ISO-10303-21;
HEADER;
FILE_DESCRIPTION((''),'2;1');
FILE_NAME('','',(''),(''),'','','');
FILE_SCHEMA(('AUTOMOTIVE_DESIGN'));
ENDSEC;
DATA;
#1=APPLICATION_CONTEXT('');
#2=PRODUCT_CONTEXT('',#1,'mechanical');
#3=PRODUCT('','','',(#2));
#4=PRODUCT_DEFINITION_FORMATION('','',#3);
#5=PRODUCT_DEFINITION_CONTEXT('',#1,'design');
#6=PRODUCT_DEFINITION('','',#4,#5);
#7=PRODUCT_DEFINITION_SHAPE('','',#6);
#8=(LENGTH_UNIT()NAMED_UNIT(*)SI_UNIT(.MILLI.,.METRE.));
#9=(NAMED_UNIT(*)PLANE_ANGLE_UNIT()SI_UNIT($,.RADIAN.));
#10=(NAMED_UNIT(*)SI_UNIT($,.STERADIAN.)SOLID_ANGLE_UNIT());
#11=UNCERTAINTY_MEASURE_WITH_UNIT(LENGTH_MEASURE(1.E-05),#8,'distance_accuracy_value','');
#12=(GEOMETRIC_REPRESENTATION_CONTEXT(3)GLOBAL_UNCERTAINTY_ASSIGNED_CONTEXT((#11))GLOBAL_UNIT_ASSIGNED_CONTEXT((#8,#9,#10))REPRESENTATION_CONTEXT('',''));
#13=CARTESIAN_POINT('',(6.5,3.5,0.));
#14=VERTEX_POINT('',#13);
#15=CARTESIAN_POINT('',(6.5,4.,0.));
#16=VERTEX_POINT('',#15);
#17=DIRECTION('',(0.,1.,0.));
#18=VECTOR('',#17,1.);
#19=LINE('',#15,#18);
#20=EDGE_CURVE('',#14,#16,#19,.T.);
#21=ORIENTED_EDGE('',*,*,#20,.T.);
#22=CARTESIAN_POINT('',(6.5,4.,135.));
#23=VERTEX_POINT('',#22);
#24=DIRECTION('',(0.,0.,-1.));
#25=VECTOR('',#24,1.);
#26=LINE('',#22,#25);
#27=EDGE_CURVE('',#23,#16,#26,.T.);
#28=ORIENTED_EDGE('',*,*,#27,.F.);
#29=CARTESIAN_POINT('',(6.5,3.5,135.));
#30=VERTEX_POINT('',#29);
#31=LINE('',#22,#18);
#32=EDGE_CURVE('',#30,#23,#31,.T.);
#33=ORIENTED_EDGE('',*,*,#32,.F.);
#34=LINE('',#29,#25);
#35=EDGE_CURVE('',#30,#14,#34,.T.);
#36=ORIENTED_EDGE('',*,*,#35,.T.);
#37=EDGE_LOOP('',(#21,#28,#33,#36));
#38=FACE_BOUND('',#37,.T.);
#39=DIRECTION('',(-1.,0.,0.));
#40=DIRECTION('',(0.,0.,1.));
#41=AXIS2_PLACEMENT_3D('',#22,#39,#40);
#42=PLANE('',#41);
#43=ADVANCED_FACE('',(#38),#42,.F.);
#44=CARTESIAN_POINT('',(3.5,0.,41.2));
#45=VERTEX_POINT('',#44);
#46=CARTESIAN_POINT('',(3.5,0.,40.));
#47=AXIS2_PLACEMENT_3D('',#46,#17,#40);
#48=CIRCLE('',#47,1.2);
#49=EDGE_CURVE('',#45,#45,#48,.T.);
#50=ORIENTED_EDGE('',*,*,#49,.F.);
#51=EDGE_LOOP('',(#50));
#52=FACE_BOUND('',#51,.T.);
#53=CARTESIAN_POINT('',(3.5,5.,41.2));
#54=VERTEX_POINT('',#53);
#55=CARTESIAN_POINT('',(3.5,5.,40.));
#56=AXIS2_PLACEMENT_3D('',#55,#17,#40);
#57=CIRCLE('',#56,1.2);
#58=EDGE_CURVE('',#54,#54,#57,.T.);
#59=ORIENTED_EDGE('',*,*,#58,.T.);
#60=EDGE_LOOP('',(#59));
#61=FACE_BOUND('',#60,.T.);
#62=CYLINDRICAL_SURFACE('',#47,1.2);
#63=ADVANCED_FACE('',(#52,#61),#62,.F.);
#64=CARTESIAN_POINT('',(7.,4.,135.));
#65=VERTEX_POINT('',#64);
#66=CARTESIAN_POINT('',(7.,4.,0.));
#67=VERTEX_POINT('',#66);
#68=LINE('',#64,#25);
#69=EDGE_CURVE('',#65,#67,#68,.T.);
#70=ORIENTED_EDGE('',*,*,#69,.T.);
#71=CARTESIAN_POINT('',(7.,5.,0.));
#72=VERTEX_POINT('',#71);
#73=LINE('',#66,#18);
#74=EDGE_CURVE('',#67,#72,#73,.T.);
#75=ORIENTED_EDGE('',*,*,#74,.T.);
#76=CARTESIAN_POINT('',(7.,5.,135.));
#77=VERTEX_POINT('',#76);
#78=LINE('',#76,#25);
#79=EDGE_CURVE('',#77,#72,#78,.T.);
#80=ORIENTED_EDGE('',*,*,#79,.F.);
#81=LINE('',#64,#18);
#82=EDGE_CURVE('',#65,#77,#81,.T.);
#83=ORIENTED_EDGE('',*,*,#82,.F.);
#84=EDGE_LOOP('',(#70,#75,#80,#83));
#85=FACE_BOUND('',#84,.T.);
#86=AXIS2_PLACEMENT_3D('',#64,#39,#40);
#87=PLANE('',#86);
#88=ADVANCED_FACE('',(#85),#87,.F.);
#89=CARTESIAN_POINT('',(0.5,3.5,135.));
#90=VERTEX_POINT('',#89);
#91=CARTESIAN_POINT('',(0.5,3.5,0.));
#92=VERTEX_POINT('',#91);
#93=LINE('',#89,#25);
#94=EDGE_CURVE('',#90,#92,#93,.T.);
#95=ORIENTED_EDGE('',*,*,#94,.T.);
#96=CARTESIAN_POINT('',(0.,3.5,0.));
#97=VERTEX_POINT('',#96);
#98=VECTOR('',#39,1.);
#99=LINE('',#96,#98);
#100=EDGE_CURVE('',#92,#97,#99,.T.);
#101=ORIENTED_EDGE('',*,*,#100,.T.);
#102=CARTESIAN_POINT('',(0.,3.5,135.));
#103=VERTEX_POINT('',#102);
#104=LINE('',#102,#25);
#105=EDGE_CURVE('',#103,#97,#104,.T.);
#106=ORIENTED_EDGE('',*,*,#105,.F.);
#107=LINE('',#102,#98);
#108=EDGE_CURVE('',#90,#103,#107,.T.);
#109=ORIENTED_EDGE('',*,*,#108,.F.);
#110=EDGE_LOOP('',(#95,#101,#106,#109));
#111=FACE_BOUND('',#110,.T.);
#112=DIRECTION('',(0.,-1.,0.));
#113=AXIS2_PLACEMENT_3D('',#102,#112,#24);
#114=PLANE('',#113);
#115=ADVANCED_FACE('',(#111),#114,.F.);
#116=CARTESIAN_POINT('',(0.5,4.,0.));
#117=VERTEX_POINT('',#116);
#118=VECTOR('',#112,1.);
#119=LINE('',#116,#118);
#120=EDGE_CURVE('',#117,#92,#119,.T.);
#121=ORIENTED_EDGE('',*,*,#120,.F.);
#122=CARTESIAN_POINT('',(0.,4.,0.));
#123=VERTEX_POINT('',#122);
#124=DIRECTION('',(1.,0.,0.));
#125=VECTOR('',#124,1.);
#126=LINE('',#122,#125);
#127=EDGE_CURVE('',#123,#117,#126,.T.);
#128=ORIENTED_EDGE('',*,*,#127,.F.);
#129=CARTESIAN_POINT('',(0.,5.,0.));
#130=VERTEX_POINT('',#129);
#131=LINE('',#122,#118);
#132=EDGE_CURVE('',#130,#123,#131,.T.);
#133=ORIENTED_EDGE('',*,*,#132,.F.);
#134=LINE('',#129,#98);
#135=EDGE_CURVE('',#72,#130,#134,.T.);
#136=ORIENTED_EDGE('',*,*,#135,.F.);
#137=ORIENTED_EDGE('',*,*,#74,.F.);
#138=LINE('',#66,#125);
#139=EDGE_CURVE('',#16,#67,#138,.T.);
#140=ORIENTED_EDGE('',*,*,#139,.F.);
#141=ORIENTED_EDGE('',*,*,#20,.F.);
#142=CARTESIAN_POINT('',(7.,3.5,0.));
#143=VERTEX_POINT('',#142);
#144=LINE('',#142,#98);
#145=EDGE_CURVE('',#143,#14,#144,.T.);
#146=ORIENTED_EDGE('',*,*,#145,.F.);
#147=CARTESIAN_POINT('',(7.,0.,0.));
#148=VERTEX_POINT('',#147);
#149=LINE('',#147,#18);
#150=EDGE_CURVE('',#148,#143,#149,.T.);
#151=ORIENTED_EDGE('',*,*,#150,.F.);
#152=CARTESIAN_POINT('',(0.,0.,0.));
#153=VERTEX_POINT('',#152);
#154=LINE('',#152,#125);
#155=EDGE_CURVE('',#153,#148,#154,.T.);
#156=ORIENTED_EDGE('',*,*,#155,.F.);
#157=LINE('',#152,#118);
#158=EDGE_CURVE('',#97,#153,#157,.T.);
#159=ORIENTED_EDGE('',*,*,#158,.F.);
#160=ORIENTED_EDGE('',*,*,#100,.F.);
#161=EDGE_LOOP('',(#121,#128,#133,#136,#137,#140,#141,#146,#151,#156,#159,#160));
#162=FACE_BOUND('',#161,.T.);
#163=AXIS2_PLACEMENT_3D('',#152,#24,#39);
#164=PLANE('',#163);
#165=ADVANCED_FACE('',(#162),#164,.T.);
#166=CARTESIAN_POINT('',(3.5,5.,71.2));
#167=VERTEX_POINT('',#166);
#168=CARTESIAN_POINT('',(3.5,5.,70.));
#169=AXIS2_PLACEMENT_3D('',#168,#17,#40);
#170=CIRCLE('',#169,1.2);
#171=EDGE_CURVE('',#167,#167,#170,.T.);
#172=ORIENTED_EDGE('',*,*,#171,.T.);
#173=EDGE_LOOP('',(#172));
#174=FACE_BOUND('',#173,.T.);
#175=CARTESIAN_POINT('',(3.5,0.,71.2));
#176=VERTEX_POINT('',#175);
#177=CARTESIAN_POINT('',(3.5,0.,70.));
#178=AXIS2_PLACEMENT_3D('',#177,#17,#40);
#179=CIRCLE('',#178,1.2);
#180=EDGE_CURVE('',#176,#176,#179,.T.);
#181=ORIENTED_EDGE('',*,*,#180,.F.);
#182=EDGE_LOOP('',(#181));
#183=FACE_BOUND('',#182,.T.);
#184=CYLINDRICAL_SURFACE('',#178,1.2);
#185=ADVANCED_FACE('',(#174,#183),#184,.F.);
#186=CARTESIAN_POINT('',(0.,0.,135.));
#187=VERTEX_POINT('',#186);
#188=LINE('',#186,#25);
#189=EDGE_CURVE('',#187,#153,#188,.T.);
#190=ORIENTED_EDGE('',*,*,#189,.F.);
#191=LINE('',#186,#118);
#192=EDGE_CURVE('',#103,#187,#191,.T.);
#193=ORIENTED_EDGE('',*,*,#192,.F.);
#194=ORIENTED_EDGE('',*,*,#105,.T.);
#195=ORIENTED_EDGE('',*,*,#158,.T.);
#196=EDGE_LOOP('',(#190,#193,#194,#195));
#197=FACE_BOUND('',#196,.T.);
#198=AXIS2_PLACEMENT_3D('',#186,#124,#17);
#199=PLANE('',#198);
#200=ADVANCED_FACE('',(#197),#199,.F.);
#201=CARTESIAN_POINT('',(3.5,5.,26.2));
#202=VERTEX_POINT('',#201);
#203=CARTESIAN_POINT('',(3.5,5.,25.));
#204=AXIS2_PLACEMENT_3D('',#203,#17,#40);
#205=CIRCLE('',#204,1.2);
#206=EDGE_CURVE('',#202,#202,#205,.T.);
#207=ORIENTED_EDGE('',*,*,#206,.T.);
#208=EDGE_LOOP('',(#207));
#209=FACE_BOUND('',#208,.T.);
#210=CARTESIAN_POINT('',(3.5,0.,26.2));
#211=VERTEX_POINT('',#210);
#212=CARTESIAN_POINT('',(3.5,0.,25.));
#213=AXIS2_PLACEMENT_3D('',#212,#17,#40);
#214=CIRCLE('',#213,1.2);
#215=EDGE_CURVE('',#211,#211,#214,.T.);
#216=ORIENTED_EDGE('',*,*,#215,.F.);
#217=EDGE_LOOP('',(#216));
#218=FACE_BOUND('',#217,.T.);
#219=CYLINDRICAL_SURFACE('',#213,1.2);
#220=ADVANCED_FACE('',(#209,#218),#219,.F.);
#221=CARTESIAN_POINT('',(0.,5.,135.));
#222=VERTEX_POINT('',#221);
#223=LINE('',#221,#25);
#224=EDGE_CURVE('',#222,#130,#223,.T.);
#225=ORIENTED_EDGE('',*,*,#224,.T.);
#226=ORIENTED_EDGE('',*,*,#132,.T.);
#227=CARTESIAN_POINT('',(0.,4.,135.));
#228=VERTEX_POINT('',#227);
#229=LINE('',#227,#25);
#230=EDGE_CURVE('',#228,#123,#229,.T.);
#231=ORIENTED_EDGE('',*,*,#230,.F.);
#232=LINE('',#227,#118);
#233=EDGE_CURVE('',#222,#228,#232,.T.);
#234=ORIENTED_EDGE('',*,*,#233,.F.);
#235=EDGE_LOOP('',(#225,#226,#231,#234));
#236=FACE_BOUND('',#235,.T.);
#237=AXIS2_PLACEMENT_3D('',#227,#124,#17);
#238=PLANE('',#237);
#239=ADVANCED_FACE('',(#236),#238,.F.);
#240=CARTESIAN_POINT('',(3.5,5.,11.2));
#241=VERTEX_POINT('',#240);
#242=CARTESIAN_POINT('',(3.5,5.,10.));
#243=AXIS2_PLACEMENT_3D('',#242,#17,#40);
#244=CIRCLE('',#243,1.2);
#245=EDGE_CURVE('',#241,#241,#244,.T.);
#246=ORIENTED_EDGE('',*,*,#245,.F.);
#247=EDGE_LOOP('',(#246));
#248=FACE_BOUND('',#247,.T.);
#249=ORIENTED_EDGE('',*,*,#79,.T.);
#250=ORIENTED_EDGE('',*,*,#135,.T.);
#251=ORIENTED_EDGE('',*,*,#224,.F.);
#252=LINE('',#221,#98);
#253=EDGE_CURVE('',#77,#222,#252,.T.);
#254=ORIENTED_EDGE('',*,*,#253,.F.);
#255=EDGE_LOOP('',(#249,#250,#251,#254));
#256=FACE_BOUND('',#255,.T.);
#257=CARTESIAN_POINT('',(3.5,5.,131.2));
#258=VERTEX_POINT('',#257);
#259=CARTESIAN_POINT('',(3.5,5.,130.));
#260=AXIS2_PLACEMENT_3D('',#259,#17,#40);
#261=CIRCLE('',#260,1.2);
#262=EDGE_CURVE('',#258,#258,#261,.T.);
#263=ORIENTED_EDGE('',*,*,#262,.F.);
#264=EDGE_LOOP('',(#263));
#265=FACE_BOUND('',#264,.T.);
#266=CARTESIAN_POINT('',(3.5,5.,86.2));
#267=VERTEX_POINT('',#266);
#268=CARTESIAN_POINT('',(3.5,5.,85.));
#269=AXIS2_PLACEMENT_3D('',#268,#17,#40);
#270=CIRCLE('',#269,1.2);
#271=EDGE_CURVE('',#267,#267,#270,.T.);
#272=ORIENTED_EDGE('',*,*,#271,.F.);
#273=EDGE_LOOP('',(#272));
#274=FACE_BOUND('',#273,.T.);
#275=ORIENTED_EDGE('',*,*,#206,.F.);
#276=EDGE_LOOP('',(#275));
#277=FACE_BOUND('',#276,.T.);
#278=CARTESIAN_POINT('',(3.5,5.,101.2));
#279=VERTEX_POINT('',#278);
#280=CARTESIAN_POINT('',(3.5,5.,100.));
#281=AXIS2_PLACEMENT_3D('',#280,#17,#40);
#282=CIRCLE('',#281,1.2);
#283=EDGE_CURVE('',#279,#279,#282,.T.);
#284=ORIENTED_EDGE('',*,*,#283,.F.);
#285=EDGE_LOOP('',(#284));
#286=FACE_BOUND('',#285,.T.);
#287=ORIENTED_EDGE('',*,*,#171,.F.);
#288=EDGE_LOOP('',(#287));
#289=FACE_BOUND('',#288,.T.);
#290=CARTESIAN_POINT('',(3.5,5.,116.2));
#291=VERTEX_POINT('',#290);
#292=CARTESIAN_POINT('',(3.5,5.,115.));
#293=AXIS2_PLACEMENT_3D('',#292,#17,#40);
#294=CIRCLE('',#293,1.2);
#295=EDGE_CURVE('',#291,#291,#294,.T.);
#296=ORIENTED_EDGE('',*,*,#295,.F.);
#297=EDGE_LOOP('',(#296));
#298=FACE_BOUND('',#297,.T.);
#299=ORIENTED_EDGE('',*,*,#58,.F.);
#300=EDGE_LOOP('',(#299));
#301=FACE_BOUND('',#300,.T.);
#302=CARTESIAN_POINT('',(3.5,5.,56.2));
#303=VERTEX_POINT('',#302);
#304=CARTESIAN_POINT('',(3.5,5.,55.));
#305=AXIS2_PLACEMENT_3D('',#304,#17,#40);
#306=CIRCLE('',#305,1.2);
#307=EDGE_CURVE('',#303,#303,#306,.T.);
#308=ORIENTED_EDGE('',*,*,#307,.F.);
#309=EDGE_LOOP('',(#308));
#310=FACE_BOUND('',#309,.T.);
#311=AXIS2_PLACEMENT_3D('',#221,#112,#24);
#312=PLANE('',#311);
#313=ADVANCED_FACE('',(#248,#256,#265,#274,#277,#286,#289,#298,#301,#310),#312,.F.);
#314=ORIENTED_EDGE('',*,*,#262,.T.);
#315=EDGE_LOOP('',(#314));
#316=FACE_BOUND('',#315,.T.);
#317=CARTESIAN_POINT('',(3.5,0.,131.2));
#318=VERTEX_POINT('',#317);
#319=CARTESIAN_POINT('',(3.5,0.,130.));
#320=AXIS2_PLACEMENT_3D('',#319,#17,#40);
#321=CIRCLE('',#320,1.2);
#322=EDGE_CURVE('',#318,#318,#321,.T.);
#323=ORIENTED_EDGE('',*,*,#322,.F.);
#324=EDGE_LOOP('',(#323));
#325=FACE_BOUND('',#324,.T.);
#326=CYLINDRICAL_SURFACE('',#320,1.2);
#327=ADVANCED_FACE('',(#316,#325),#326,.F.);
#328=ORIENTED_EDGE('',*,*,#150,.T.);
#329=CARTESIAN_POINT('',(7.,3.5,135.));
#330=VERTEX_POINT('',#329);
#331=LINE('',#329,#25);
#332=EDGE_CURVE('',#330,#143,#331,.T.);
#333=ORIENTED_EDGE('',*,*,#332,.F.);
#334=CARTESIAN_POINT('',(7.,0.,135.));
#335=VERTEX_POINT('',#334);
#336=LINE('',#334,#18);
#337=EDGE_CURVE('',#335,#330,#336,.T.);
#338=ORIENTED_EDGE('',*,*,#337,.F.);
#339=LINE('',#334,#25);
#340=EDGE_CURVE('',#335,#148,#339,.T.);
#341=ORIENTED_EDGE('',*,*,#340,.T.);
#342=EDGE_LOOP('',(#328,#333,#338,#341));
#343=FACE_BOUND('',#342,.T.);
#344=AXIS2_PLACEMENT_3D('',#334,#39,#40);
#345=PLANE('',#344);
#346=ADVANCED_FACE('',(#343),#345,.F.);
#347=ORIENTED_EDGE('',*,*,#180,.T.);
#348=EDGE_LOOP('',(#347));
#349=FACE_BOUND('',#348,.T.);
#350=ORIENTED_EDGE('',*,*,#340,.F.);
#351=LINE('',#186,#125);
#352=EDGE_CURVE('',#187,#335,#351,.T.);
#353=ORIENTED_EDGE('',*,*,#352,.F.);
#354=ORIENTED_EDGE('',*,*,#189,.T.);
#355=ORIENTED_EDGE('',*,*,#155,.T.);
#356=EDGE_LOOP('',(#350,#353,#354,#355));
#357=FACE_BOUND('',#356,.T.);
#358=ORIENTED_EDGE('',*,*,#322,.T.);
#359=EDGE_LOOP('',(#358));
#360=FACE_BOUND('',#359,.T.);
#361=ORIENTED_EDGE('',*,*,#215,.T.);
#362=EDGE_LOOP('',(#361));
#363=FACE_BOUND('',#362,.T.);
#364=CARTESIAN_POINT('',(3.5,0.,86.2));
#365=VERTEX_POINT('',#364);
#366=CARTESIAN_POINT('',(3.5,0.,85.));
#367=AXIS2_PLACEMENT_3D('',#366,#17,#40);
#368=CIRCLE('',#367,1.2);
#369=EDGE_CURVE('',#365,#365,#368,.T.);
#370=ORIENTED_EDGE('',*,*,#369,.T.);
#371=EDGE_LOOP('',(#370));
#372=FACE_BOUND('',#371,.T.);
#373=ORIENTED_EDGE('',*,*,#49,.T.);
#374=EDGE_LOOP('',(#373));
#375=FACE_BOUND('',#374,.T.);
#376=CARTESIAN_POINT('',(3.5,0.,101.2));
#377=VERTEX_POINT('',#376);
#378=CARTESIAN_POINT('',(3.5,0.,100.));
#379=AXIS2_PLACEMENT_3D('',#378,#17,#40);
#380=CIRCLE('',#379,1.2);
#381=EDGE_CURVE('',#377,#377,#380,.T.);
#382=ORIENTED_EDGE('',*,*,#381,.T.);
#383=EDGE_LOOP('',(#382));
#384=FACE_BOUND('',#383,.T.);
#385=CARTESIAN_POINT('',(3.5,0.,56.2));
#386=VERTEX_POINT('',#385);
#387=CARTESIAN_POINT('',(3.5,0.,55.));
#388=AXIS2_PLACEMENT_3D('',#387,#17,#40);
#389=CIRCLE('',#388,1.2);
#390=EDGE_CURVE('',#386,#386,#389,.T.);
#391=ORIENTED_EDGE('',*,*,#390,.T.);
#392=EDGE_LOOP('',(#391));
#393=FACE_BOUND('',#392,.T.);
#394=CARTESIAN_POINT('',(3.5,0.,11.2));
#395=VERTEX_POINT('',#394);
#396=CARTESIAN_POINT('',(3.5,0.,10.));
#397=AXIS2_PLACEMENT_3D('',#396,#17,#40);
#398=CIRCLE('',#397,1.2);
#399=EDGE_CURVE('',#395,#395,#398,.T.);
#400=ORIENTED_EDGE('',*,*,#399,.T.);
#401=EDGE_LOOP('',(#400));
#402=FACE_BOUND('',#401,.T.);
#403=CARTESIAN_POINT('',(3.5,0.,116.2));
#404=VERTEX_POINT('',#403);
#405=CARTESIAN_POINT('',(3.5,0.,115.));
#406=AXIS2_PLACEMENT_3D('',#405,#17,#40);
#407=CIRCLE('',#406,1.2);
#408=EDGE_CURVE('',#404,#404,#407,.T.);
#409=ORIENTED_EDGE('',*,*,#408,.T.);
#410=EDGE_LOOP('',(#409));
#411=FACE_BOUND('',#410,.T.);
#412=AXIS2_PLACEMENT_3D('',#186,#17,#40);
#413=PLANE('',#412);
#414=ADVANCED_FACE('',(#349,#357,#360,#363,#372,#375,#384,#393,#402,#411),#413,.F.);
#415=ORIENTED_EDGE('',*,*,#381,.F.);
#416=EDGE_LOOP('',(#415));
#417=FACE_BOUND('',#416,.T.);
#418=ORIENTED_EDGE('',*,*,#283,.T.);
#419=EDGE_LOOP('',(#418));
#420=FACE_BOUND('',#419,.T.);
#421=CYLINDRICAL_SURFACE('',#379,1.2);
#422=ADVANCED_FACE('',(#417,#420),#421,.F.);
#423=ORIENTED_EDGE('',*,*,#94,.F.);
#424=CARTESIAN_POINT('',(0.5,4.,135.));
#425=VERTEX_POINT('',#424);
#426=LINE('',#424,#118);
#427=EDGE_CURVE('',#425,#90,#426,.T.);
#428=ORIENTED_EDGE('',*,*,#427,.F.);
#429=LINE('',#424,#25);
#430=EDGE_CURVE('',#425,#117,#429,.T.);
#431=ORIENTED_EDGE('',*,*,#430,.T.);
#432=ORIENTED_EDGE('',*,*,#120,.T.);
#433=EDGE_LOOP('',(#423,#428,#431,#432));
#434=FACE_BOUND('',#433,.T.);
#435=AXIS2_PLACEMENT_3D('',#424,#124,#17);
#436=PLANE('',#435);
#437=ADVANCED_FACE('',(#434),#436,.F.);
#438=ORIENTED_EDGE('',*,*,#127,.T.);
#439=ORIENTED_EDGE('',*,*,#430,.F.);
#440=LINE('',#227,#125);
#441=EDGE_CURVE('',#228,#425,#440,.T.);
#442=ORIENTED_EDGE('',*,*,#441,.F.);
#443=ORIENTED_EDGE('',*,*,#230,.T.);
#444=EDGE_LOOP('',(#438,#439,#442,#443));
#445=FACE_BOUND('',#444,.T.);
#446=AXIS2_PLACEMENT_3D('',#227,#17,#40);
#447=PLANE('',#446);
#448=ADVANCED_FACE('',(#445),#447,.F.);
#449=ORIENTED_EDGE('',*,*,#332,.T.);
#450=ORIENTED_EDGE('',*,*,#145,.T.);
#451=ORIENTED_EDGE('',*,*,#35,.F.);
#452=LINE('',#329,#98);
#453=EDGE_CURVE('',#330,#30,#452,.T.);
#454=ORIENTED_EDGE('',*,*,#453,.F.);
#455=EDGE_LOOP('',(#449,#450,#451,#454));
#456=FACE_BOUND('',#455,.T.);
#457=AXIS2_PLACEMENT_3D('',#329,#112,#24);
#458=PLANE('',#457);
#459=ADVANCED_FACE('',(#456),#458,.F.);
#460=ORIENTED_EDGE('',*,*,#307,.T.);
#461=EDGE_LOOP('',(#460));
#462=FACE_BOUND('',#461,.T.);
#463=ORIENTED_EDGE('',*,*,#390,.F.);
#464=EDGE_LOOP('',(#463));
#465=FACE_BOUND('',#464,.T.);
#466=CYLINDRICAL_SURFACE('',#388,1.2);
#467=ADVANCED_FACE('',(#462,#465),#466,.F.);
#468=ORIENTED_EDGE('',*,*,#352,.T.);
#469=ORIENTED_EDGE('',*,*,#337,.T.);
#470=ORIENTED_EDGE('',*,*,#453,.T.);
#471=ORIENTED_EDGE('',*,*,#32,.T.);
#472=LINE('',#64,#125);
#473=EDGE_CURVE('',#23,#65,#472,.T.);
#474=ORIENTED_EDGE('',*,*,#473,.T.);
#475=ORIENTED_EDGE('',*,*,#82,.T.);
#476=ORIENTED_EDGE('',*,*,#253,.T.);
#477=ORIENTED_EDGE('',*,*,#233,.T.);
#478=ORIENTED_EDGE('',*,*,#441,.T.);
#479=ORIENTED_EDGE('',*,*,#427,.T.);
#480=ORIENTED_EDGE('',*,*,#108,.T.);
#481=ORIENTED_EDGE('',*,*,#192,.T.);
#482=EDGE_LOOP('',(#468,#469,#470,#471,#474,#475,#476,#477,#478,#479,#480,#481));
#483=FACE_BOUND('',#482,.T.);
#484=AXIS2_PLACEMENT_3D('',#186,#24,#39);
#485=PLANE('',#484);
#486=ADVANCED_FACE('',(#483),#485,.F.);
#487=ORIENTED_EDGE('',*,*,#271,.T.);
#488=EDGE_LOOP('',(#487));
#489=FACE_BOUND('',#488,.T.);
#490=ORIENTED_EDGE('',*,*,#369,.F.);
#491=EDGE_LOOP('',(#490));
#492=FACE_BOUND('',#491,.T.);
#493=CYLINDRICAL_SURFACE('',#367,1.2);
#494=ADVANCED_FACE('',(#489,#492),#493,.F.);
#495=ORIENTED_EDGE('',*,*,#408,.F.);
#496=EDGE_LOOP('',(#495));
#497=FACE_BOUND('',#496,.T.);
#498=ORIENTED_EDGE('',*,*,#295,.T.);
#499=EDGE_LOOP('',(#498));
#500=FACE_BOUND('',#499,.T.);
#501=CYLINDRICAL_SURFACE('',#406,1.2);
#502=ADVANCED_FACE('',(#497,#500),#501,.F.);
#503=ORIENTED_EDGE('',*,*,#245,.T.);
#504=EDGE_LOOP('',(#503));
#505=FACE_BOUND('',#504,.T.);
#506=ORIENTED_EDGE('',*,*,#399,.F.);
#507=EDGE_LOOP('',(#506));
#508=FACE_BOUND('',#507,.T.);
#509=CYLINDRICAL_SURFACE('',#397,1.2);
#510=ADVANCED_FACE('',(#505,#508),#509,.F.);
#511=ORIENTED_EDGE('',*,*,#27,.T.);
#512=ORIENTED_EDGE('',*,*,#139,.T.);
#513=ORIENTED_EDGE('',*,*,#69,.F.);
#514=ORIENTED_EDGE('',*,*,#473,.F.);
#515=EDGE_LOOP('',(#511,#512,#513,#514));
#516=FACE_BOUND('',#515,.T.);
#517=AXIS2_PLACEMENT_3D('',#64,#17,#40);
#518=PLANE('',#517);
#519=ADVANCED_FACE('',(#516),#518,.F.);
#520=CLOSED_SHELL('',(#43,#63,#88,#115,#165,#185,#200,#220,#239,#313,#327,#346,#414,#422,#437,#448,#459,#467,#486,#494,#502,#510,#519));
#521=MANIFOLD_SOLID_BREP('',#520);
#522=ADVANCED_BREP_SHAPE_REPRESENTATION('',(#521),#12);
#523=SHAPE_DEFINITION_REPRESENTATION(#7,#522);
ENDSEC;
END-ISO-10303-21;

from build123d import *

# Parameters (mm, degrees)
BOSS_EXTRUDE1_DEPTH = 135
SKETCH2_R           = 1.2
CUT_EXTRUDE1_DEPTH  = 136.273796428


with BuildPart() as part:
    # Sketch1 → Boss-Extrude1 (new body)
    with BuildSketch(Plane.XY):
        Polygon((0, 4), (0, 5), (7, 5), (7, 4), (6.5, 4), (6.5, 3.5), (7, 3.5), (7, 0), (0, 0), (0, 3.5), (0.5, 3.5), (0.5, 4), align=None)
    extrude(amount=BOSS_EXTRUDE1_DEPTH)

    # Sketch2 → Cut-Extrude1 (cut, through all)
    with BuildSketch(Plane(origin=(0, 5, 0), x_dir=(1, 0, 0), z_dir=(0, 1, 0))):
        with Locations(Location((3.5, -130, 0), (0, 0, 270))):
            Circle(SKETCH2_R)
        with Locations(Location((3.5, -115, 0), (0, 0, 270))):
            Circle(SKETCH2_R)
        with Locations(Location((3.5, -100, 0), (0, 0, 270))):
            Circle(SKETCH2_R)
        with Locations(Location((3.5, -85, 0), (0, 0, 270))):
            Circle(SKETCH2_R)
        with Locations(Location((3.5, -70, 0), (0, 0, 270))):
            Circle(SKETCH2_R)
        with Locations(Location((3.5, -55, 0), (0, 0, 270))):
            Circle(SKETCH2_R)
        with Locations(Location((3.5, -40, 0), (0, 0, 270))):
            Circle(SKETCH2_R)
        with Locations(Location((3.5, -25, 0), (0, 0, 270))):
            Circle(SKETCH2_R)
        with Locations(Location((3.5, -10, 0), (0, 0, 270))):
            Circle(SKETCH2_R)
        with Locations((3.5, 5)):
            Circle(SKETCH2_R)
        with Locations((3.5, 20)):
            Circle(SKETCH2_R)
        with Locations((3.5, 35)):
            Circle(SKETCH2_R)
        with Locations((3.5, 50)):
            Circle(SKETCH2_R)
    extrude(amount=-CUT_EXTRUDE1_DEPTH, mode=Mode.SUBTRACT)


solid = part.part
